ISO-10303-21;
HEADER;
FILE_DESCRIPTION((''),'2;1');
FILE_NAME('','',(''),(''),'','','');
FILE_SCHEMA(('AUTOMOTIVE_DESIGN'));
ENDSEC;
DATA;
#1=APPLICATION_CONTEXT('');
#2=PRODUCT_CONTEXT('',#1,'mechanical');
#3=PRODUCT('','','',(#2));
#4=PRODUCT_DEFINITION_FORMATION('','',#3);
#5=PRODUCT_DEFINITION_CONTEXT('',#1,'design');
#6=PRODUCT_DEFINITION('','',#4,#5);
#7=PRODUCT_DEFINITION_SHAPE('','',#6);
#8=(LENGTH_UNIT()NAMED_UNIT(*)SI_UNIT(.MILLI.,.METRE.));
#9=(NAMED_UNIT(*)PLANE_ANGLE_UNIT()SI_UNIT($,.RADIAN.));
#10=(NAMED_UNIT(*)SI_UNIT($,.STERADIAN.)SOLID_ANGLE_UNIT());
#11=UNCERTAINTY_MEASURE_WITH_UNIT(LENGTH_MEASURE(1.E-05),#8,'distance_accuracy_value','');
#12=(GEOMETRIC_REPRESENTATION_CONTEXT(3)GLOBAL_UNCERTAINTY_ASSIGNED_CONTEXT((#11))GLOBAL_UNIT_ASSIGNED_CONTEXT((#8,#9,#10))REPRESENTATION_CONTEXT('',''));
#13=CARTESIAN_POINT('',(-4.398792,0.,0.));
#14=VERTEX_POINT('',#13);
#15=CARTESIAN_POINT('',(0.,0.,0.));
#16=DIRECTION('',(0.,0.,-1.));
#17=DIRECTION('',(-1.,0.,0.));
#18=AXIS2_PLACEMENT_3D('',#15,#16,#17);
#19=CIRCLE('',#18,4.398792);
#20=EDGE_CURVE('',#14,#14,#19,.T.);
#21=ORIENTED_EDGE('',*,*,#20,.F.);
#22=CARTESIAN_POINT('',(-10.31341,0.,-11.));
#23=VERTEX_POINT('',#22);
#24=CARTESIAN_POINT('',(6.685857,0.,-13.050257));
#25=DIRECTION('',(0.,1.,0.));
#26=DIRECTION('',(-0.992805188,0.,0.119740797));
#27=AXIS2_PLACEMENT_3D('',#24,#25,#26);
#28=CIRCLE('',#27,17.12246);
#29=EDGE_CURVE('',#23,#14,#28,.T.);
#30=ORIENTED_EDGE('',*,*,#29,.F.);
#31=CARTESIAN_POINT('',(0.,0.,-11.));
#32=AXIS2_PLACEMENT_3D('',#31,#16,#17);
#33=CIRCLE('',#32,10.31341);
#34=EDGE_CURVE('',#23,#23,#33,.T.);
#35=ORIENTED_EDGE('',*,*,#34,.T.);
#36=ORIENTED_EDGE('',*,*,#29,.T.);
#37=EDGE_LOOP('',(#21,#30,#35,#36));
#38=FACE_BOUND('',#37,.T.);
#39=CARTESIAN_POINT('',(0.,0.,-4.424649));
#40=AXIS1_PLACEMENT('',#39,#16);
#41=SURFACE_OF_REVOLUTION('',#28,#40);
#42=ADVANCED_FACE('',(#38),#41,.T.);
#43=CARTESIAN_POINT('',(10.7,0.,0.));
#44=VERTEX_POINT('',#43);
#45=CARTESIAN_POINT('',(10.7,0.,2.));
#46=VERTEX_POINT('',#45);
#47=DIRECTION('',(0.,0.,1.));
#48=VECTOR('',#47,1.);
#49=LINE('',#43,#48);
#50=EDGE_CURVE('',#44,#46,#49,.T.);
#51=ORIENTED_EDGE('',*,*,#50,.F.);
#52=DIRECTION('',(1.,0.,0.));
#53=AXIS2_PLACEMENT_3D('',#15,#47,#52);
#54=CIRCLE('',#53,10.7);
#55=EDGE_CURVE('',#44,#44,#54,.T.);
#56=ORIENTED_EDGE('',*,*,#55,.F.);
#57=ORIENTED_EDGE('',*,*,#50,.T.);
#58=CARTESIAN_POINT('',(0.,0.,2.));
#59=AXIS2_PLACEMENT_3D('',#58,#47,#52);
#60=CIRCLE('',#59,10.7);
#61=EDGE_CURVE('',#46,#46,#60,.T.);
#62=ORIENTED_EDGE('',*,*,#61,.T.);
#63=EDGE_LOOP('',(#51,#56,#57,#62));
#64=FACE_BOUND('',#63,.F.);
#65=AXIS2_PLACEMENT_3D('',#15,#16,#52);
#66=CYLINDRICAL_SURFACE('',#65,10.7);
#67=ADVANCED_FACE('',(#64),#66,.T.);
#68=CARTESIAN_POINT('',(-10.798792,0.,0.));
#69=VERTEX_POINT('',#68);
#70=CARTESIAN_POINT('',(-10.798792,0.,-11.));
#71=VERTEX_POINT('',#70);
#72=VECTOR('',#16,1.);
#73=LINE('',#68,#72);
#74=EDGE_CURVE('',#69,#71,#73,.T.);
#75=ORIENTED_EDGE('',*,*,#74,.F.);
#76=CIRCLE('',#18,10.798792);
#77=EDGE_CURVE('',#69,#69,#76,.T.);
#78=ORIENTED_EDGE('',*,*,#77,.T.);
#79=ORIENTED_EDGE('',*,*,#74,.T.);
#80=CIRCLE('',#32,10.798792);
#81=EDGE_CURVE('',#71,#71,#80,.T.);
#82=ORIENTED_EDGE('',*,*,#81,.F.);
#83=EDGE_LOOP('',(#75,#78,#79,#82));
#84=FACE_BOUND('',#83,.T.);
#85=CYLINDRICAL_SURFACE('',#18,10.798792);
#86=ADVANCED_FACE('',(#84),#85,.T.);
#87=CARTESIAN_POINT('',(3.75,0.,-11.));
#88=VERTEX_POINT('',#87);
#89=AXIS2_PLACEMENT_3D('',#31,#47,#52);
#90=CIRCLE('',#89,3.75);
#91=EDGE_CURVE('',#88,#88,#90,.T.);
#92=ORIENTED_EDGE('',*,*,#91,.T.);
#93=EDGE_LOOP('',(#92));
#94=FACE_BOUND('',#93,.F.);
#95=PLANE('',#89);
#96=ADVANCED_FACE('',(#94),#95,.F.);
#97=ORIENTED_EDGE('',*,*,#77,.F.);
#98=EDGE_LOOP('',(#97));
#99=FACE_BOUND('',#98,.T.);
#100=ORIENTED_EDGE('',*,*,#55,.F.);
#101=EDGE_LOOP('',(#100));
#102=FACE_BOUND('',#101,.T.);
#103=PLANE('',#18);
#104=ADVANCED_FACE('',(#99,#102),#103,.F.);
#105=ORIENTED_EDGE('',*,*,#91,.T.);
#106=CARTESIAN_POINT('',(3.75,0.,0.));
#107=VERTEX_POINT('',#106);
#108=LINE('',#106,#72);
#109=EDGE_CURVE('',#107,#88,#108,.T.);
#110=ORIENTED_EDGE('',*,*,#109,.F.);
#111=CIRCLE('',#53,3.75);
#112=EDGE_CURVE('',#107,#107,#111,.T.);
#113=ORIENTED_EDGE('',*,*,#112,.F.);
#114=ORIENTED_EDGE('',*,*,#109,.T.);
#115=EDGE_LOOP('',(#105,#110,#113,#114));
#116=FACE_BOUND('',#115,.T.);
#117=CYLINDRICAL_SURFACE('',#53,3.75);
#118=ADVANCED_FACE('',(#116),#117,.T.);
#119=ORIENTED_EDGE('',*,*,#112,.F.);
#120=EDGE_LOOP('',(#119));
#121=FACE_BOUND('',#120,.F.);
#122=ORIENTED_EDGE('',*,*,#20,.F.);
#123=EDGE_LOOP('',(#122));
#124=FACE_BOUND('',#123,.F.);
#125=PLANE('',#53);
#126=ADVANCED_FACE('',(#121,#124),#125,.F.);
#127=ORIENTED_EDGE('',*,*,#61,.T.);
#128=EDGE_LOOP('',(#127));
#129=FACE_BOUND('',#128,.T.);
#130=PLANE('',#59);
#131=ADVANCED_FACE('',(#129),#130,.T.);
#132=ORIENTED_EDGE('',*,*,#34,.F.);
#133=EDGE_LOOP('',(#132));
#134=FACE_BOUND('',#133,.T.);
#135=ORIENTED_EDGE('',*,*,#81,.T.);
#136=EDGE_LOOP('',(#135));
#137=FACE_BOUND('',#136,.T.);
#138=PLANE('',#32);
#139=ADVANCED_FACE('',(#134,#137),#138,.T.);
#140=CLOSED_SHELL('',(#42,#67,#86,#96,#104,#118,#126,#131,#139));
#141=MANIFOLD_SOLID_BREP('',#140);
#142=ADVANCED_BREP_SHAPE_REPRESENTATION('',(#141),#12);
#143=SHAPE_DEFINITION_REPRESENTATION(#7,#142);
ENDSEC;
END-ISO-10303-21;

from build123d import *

# Parameters (mm, degrees)
F0_R     = 10.7
F1_DEPTH = 2
F2_R     = 3.75
F3_DEPTH = 11


with BuildPart() as f1:
    # F0 (on Top) → F1 (new body)
    with BuildSketch(Plane.XY):
        Circle(F0_R)
    extrude(amount=F1_DEPTH)

    # F2 (on Top) → F3 (join)
    with BuildSketch(Plane.XY):
        Circle(F2_R)
    extrude(amount=-F3_DEPTH)

    # F4 (on Front) → F5 (revolve)
    with BuildSketch(Plane.XZ):
        with BuildLine():
            Line((-4.3987915084, 0), (-10.7987915084, 0))
            Line((-10.7987915084, 0), (-10.7987915084, -11))
            Line((-10.7987915084, -11), (-10.3134103119, -11))
            ThreePointArc((-10.3134103119, -11), (-8.3948121612, -4.9414926276), (-4.3987915084, 0))
        make_face()
    revolve(axis=Axis((0, 0, -4.4246494012), (0, 0, -1)))


solid = f1.part
